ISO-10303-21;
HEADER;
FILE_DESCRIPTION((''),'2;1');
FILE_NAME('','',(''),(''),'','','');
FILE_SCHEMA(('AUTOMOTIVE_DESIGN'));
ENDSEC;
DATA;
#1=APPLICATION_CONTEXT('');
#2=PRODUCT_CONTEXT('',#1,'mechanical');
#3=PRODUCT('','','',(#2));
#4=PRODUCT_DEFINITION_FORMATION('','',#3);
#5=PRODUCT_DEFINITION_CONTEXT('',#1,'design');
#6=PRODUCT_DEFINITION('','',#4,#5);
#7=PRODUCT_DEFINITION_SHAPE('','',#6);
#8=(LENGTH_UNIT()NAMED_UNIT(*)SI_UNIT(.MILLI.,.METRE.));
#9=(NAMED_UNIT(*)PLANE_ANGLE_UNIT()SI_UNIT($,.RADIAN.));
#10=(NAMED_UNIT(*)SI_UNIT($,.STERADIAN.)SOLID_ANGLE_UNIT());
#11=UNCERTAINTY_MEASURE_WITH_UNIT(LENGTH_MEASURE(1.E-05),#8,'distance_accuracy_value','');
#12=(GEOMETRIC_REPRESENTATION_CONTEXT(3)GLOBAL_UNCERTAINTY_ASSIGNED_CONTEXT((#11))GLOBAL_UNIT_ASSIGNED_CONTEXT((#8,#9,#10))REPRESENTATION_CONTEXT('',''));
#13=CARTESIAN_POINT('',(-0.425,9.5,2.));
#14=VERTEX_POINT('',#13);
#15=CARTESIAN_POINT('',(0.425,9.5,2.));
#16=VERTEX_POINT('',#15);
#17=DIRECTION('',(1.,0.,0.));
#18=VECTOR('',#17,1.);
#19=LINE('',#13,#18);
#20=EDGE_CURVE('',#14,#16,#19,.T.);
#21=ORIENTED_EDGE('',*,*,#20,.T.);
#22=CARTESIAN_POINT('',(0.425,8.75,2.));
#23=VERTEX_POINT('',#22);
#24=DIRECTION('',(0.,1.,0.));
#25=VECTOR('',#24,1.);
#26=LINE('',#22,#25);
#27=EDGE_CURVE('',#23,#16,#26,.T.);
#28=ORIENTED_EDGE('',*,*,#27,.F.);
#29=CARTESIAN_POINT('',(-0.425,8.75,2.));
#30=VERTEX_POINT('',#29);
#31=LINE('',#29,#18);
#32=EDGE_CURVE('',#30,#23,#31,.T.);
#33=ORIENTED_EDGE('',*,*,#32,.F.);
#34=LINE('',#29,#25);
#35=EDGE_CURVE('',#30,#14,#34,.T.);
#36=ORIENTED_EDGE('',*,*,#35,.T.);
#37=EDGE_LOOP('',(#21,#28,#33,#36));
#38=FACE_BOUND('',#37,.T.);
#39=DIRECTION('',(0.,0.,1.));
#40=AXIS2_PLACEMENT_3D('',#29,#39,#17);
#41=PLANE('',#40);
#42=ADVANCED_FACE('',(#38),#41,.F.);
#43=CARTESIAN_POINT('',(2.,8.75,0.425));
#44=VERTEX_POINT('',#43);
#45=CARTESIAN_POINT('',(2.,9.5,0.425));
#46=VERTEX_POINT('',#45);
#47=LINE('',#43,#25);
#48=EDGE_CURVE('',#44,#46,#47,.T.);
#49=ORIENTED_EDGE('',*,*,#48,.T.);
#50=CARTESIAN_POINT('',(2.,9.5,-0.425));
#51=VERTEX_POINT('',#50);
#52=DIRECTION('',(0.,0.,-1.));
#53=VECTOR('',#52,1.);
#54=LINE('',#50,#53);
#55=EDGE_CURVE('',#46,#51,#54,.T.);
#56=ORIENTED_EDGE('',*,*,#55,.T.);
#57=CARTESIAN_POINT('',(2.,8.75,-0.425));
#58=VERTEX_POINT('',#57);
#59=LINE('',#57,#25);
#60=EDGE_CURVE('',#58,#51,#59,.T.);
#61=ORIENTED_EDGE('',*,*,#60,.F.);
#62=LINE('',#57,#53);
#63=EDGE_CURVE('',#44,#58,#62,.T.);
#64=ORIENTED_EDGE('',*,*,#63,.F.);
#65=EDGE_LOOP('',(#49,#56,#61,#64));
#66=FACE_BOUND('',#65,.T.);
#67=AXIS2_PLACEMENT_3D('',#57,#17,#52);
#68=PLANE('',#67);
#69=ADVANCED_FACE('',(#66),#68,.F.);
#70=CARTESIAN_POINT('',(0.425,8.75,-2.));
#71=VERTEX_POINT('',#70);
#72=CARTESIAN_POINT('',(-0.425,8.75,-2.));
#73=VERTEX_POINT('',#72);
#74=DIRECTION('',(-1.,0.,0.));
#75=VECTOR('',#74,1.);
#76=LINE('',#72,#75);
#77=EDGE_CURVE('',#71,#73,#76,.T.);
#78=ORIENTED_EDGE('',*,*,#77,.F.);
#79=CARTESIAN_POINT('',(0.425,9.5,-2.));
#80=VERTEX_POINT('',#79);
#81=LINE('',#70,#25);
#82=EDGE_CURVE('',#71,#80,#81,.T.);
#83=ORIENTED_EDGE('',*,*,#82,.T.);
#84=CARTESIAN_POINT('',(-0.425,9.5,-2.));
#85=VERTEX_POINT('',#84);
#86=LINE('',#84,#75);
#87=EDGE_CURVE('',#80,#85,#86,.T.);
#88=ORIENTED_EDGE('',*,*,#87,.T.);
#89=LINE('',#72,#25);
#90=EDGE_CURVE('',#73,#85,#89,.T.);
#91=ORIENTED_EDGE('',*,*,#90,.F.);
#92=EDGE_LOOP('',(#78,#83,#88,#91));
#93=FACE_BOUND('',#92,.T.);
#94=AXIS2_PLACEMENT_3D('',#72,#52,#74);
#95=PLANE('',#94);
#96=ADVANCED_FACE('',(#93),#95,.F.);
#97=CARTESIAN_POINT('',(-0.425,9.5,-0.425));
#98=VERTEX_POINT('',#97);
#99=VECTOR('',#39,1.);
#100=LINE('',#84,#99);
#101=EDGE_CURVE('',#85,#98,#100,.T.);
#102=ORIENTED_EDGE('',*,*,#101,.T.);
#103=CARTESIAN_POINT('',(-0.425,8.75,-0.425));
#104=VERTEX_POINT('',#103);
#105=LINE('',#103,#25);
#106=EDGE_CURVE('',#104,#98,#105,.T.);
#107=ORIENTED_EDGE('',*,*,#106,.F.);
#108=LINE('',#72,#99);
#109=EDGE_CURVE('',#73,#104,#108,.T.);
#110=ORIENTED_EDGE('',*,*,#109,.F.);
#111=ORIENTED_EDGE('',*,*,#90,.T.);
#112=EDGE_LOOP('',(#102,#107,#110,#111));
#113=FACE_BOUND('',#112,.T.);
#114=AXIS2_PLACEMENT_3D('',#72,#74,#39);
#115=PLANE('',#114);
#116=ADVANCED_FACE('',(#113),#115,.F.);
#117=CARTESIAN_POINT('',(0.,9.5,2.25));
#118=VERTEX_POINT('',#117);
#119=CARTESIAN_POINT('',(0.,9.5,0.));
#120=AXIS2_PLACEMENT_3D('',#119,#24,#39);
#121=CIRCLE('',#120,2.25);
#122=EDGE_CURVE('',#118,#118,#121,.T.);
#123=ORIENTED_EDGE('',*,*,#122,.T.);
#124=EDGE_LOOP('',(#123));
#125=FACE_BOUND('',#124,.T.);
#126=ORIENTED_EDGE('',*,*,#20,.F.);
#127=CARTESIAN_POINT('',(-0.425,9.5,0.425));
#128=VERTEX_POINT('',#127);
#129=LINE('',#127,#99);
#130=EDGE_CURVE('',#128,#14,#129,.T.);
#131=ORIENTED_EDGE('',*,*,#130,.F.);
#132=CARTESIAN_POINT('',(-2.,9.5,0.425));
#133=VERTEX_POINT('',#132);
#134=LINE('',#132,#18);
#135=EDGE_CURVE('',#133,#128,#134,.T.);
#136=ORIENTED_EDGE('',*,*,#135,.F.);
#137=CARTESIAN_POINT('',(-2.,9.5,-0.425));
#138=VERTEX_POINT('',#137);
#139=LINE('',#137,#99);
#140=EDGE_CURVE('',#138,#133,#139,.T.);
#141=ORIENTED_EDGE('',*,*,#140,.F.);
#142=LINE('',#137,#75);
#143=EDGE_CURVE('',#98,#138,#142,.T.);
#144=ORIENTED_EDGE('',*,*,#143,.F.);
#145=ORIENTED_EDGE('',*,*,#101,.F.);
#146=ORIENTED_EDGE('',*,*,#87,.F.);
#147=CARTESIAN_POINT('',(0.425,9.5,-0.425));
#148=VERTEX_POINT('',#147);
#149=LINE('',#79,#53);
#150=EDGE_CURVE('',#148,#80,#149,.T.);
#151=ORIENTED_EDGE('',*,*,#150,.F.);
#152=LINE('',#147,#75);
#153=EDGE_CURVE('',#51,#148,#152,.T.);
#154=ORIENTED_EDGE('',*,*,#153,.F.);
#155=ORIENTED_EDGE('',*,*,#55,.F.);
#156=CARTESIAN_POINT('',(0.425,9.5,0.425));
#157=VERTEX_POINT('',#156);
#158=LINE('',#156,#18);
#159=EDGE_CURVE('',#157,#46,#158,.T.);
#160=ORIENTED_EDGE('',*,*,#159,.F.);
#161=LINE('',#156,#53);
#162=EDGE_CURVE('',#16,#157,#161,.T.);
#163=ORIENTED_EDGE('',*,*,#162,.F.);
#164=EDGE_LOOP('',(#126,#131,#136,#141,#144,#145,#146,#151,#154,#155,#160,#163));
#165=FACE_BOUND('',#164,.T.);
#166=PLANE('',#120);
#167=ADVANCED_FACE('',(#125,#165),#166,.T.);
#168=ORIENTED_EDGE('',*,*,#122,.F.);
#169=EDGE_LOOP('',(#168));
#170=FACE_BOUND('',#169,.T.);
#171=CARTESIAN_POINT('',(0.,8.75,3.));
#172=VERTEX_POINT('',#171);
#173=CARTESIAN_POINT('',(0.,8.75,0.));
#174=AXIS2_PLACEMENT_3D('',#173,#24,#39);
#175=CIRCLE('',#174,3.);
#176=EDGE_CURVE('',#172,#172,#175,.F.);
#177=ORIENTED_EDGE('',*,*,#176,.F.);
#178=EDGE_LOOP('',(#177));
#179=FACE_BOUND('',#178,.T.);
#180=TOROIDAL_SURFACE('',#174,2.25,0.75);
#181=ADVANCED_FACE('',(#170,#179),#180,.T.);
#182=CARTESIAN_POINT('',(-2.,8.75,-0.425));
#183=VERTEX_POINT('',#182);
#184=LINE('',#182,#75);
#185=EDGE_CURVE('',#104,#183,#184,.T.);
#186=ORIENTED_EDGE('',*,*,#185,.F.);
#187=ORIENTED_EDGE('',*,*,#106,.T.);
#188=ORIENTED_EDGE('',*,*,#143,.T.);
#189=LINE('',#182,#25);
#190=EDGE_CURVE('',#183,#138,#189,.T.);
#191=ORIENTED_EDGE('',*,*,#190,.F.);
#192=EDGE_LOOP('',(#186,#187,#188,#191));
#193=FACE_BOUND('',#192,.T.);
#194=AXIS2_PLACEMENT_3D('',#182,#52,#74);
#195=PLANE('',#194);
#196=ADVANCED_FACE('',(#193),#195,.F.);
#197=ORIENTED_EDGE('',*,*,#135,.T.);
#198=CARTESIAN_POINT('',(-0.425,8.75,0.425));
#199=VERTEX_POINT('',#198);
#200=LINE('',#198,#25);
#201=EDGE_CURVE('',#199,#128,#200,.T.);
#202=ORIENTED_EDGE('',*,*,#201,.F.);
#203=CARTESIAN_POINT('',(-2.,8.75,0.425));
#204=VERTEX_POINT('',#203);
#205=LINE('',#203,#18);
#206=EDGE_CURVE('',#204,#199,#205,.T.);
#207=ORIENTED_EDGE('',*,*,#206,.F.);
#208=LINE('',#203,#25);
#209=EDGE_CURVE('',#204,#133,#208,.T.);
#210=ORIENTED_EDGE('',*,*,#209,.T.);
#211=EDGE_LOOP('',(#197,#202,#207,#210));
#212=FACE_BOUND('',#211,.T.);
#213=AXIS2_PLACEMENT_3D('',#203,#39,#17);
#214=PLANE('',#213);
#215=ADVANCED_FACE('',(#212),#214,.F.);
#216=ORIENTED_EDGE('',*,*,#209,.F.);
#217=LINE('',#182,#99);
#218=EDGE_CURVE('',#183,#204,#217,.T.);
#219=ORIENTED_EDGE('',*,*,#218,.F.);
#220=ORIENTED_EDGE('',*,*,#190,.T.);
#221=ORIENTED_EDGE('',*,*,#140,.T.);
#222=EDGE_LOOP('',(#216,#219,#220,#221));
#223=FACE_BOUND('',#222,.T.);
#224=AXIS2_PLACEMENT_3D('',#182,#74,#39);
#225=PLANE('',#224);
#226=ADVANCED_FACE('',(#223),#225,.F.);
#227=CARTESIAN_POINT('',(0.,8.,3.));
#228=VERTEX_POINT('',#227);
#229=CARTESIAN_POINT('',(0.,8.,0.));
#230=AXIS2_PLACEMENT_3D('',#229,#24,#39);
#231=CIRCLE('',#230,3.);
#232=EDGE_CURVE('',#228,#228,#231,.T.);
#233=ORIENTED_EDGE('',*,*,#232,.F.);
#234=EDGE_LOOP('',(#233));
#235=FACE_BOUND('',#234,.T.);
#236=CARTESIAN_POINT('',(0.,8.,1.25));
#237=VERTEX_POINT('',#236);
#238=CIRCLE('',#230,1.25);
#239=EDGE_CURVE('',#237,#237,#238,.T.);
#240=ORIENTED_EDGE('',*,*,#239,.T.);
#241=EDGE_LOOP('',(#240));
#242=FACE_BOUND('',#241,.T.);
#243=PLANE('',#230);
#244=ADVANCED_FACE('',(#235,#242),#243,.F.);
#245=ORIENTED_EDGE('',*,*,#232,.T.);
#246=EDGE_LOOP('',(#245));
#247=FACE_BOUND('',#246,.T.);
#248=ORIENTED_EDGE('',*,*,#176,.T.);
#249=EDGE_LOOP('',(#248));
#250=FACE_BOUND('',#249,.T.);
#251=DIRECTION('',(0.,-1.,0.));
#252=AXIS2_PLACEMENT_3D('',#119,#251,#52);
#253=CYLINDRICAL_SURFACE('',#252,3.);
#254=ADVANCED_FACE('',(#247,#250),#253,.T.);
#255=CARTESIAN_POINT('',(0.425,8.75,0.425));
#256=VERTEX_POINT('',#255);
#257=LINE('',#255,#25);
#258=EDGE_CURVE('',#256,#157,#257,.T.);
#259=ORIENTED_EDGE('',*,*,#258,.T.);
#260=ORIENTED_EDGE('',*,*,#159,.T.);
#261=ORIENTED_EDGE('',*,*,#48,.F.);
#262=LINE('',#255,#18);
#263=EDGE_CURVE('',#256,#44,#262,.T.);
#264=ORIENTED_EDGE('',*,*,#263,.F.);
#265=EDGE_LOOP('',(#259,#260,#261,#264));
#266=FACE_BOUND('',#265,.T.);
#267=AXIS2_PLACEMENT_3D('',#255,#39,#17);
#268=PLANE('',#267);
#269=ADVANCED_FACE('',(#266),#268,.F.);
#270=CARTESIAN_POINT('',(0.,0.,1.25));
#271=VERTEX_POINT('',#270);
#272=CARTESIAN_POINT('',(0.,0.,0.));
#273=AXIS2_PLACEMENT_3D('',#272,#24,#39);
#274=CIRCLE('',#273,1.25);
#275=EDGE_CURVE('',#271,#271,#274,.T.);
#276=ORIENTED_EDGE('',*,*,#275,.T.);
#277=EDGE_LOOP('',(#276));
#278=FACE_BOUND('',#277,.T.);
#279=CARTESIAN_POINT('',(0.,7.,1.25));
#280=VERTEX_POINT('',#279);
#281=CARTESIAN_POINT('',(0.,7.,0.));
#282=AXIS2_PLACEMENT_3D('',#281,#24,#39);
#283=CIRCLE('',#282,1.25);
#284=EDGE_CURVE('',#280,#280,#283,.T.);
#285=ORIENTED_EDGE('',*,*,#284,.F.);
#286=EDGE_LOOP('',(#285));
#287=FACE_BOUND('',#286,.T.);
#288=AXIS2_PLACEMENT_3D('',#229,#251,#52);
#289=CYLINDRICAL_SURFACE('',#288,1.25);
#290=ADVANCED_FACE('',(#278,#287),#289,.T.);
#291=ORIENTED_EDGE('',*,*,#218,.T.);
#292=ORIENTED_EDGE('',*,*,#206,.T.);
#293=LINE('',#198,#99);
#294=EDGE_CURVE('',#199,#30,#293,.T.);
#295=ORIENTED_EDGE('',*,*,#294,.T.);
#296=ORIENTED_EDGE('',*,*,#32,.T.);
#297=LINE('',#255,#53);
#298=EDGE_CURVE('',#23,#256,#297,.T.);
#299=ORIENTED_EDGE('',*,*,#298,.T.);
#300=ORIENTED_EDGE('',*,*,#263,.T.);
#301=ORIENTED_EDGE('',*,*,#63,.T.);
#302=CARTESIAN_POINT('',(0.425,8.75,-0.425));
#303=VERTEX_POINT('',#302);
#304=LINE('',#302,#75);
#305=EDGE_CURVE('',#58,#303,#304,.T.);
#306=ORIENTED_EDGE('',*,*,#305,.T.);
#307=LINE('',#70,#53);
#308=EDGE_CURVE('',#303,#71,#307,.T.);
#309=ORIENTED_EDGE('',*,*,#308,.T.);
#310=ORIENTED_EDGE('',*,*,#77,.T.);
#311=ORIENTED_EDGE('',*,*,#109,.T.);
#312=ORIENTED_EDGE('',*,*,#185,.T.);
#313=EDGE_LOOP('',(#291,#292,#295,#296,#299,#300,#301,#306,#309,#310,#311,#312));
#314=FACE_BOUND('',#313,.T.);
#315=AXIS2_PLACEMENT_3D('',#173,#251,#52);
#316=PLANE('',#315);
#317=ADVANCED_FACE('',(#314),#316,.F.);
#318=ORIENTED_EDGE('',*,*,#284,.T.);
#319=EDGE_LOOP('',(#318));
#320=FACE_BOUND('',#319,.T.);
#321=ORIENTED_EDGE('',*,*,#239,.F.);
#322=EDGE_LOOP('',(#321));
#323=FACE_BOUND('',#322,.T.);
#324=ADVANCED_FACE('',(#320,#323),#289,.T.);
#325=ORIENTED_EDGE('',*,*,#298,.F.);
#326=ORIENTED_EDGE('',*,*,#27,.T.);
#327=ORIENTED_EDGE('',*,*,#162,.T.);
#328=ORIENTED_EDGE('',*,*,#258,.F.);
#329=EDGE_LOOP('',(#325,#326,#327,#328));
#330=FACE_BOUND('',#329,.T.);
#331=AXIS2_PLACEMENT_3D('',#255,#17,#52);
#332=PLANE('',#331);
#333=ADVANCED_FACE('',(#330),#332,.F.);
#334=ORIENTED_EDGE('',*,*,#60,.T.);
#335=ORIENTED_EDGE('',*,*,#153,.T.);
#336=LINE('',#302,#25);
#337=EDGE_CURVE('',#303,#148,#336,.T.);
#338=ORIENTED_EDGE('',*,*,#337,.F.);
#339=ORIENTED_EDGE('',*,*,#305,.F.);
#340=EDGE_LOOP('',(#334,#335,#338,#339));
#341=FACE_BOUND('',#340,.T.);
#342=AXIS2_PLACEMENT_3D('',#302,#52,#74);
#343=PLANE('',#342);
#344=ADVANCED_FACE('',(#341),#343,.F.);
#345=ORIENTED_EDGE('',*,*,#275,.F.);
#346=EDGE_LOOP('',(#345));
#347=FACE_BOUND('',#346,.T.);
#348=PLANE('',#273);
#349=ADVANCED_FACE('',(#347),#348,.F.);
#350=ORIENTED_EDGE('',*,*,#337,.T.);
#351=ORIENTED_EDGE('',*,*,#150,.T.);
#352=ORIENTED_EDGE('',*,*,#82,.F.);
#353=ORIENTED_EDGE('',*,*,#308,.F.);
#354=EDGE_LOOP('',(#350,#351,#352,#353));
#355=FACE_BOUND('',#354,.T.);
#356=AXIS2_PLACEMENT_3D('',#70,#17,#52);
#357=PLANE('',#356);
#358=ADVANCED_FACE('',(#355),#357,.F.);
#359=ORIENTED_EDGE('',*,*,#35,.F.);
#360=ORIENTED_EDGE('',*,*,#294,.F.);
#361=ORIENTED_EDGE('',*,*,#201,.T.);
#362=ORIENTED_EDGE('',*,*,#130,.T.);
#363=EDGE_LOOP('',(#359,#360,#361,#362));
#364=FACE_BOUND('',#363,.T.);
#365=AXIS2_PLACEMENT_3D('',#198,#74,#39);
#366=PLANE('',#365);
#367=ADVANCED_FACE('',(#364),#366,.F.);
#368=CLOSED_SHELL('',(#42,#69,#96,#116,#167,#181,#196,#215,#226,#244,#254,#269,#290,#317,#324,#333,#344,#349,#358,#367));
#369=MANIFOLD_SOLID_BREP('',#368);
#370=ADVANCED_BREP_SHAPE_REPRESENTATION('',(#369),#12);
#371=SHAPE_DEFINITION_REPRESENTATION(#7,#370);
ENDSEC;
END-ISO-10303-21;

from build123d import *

# Parameters (mm, degrees)
SKETCH3_R           = 1.25
BOSS_EXTRUDE1_DEPTH = 8
SKETCH4_R           = 3
BOSS_EXTRUDE2_DEPTH = 1.5
FILLET3_R           = 0.75
CUT_EXTRUDE4_DEPTH  = 0.75


with BuildPart() as part:
    # Sketch3 → Boss-Extrude1 (new body)
    with BuildSketch(Plane(origin=(0, 0, 0), x_dir=(1, 0, 0), z_dir=(0, 1, 0))):
        with Locations(Location((0, 0, 0), (0, 0, 270))):
            Circle(SKETCH3_R)
    extrude(amount=BOSS_EXTRUDE1_DEPTH)

    # Sketch4 → Boss-Extrude2 (add)
    with BuildSketch(Plane(origin=(0, 8, 0), x_dir=(1, 0, 0), z_dir=(0, 1, 0))):
        with Locations(Location((0, 0, 0), (0, 0, 270))):
            Circle(SKETCH4_R)
    extrude(amount=BOSS_EXTRUDE2_DEPTH)

    # Fillet3
    fillet3_edges = [part.edges().sort_by_distance(p)[0] for p in [
        (0, 9.5, -3),
    ]]
    fillet(fillet3_edges, radius=FILLET3_R)

    # Sketch6 → Cut-Extrude4 (cut)
    with BuildSketch(Plane(origin=(0, 9.5, 0), x_dir=(1, 0, 0), z_dir=(0, 1, 0))):
        Polygon((0.425, 0.425), (2, 0.425), (2, -0.425), (0.425, -0.425), (0.425, -2), (-0.425, -2), (-0.425, -0.425), (-2, -0.425), (-2, 0.425), (-0.425, 0.425), (-0.425, 2), (0.425, 2), align=None)
    extrude(amount=-CUT_EXTRUDE4_DEPTH, mode=Mode.SUBTRACT)


solid = part.part
